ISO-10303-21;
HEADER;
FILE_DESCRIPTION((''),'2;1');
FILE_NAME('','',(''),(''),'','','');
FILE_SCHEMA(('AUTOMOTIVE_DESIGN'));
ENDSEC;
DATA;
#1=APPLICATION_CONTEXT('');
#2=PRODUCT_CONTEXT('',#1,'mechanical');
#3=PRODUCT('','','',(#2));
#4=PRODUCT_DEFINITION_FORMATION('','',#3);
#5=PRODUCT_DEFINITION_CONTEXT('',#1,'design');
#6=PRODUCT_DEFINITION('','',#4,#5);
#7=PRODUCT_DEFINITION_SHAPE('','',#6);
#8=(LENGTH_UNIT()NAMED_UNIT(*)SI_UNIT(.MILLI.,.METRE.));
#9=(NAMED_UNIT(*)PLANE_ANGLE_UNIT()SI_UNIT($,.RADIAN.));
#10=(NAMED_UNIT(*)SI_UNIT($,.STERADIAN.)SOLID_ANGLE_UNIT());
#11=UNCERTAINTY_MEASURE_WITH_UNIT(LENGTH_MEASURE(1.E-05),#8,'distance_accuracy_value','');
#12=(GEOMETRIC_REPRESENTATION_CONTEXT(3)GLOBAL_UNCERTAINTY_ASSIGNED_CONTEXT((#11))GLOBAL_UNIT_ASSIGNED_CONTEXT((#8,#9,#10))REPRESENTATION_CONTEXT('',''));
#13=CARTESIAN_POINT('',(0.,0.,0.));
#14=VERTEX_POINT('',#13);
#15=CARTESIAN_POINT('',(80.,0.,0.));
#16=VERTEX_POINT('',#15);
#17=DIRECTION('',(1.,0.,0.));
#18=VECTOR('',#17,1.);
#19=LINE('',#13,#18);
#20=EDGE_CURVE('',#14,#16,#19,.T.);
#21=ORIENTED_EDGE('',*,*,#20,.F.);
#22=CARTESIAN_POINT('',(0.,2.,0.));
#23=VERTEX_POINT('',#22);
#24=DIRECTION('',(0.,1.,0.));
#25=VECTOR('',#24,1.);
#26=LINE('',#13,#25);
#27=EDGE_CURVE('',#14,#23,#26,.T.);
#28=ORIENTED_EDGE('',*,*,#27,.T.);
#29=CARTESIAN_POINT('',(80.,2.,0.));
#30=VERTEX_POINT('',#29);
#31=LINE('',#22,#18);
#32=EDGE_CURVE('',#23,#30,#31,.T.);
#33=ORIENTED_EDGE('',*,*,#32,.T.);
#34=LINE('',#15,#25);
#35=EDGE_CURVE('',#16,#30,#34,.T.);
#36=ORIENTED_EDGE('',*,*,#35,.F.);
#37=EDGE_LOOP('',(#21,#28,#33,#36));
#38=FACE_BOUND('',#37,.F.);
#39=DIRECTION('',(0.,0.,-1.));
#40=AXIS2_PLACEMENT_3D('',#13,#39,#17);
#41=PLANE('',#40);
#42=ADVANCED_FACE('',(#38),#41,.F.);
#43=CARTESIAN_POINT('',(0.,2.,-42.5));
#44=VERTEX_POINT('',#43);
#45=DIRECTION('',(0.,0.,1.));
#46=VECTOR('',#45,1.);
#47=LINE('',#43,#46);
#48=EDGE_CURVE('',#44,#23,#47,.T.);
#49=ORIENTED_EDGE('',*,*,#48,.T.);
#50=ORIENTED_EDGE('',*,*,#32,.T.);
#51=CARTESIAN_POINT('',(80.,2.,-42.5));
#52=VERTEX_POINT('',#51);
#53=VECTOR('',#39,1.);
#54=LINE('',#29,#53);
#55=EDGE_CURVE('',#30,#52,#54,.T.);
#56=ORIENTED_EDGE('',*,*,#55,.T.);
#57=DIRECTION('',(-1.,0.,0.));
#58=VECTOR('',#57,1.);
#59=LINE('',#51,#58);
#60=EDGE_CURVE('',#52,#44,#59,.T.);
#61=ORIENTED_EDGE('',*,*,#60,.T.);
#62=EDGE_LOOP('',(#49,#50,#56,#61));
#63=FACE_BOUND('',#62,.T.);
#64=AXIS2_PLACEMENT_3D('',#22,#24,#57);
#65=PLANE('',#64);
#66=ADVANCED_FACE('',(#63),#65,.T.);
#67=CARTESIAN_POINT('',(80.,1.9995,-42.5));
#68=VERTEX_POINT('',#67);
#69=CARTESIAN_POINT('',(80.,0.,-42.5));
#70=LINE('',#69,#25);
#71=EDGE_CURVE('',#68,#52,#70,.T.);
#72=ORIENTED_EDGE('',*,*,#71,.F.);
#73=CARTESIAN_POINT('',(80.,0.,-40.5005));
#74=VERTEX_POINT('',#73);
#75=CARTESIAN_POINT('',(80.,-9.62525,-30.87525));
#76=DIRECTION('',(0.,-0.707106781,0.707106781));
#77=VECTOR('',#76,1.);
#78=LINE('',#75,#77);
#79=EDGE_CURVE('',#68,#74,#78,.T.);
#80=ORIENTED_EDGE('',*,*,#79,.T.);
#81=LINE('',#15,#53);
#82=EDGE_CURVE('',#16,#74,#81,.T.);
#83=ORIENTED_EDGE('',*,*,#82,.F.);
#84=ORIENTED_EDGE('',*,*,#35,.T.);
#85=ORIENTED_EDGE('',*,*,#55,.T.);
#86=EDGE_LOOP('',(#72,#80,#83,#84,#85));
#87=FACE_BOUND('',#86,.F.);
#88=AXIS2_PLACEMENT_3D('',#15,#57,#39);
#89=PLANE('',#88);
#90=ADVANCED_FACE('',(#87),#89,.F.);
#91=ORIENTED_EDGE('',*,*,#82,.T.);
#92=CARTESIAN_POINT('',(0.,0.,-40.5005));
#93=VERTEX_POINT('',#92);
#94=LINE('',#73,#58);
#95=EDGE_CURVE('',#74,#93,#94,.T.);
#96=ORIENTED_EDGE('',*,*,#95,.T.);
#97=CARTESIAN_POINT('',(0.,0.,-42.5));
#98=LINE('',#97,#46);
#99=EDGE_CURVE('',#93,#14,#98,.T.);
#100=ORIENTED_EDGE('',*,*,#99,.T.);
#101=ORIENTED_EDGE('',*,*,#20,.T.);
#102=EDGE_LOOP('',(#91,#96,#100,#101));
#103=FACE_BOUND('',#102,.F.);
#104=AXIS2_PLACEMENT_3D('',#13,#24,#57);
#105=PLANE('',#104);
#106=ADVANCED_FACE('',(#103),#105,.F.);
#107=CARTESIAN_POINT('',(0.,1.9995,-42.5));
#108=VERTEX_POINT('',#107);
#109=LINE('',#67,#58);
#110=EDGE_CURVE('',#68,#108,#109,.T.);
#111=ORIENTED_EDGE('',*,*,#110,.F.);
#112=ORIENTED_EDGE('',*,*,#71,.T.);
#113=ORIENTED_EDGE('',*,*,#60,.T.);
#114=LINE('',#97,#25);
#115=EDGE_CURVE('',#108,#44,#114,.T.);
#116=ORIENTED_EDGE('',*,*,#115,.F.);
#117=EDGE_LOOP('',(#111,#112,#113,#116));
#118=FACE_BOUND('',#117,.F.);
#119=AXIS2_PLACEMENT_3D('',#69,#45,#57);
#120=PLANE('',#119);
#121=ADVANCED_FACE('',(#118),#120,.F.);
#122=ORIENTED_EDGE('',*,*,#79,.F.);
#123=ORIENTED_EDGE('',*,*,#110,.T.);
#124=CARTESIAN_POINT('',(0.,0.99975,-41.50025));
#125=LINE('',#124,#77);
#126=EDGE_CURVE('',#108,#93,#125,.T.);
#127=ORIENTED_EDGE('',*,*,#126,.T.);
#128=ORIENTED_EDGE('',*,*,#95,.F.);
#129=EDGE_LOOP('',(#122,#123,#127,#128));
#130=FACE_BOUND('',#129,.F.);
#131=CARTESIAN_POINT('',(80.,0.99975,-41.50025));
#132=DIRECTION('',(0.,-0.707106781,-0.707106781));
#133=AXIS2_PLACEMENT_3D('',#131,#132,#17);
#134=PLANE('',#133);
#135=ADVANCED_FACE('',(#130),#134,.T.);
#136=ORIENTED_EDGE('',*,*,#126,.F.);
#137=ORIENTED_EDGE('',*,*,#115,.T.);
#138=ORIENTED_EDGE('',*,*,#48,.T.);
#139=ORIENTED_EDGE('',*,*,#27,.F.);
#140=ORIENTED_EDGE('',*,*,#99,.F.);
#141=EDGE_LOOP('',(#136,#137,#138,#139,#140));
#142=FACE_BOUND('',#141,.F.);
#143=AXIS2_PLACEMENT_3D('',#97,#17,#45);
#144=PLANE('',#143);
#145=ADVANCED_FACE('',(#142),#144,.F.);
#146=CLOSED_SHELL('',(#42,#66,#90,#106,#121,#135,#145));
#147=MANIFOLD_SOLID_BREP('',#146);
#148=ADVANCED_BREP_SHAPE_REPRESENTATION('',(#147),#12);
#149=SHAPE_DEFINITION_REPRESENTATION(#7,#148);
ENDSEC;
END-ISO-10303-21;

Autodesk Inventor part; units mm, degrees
ref_plane "YZ Plane" through (0, 0, 0) normal (1, 0, 0) x (0, 1, 0)
ref_plane "XZ Plane" through (0, 0, 0) normal (0, 1, 0) x (-1, 0, 0)
ref_plane "XY Plane" through (0, 0, 0) normal (0, 0, 1) x (1, 0, 0)
sketch "スケッチ1" plane through (0, 0, 0) normal (0, 1, 0) x (-1, 0, 0)
  line L0 (0, 0) -> (-80, 0)
  line L1 (-80, 0) -> (-80, -42.5)
  line L2 (-80, -42.5) -> (0, -42.5)
  line L3 (0, -42.5) -> (0, 0)
  dimension "d0" = 80
  dimension "d1" = 42.5
extrude "押し出し1" add sketch "スケッチ1" along normal blind 2
chamfer "面取り4" distance 2 angle 45 1 edges at (40, 0, -42.5)
properties part number "黒棒" material "ABS プラスチック"
